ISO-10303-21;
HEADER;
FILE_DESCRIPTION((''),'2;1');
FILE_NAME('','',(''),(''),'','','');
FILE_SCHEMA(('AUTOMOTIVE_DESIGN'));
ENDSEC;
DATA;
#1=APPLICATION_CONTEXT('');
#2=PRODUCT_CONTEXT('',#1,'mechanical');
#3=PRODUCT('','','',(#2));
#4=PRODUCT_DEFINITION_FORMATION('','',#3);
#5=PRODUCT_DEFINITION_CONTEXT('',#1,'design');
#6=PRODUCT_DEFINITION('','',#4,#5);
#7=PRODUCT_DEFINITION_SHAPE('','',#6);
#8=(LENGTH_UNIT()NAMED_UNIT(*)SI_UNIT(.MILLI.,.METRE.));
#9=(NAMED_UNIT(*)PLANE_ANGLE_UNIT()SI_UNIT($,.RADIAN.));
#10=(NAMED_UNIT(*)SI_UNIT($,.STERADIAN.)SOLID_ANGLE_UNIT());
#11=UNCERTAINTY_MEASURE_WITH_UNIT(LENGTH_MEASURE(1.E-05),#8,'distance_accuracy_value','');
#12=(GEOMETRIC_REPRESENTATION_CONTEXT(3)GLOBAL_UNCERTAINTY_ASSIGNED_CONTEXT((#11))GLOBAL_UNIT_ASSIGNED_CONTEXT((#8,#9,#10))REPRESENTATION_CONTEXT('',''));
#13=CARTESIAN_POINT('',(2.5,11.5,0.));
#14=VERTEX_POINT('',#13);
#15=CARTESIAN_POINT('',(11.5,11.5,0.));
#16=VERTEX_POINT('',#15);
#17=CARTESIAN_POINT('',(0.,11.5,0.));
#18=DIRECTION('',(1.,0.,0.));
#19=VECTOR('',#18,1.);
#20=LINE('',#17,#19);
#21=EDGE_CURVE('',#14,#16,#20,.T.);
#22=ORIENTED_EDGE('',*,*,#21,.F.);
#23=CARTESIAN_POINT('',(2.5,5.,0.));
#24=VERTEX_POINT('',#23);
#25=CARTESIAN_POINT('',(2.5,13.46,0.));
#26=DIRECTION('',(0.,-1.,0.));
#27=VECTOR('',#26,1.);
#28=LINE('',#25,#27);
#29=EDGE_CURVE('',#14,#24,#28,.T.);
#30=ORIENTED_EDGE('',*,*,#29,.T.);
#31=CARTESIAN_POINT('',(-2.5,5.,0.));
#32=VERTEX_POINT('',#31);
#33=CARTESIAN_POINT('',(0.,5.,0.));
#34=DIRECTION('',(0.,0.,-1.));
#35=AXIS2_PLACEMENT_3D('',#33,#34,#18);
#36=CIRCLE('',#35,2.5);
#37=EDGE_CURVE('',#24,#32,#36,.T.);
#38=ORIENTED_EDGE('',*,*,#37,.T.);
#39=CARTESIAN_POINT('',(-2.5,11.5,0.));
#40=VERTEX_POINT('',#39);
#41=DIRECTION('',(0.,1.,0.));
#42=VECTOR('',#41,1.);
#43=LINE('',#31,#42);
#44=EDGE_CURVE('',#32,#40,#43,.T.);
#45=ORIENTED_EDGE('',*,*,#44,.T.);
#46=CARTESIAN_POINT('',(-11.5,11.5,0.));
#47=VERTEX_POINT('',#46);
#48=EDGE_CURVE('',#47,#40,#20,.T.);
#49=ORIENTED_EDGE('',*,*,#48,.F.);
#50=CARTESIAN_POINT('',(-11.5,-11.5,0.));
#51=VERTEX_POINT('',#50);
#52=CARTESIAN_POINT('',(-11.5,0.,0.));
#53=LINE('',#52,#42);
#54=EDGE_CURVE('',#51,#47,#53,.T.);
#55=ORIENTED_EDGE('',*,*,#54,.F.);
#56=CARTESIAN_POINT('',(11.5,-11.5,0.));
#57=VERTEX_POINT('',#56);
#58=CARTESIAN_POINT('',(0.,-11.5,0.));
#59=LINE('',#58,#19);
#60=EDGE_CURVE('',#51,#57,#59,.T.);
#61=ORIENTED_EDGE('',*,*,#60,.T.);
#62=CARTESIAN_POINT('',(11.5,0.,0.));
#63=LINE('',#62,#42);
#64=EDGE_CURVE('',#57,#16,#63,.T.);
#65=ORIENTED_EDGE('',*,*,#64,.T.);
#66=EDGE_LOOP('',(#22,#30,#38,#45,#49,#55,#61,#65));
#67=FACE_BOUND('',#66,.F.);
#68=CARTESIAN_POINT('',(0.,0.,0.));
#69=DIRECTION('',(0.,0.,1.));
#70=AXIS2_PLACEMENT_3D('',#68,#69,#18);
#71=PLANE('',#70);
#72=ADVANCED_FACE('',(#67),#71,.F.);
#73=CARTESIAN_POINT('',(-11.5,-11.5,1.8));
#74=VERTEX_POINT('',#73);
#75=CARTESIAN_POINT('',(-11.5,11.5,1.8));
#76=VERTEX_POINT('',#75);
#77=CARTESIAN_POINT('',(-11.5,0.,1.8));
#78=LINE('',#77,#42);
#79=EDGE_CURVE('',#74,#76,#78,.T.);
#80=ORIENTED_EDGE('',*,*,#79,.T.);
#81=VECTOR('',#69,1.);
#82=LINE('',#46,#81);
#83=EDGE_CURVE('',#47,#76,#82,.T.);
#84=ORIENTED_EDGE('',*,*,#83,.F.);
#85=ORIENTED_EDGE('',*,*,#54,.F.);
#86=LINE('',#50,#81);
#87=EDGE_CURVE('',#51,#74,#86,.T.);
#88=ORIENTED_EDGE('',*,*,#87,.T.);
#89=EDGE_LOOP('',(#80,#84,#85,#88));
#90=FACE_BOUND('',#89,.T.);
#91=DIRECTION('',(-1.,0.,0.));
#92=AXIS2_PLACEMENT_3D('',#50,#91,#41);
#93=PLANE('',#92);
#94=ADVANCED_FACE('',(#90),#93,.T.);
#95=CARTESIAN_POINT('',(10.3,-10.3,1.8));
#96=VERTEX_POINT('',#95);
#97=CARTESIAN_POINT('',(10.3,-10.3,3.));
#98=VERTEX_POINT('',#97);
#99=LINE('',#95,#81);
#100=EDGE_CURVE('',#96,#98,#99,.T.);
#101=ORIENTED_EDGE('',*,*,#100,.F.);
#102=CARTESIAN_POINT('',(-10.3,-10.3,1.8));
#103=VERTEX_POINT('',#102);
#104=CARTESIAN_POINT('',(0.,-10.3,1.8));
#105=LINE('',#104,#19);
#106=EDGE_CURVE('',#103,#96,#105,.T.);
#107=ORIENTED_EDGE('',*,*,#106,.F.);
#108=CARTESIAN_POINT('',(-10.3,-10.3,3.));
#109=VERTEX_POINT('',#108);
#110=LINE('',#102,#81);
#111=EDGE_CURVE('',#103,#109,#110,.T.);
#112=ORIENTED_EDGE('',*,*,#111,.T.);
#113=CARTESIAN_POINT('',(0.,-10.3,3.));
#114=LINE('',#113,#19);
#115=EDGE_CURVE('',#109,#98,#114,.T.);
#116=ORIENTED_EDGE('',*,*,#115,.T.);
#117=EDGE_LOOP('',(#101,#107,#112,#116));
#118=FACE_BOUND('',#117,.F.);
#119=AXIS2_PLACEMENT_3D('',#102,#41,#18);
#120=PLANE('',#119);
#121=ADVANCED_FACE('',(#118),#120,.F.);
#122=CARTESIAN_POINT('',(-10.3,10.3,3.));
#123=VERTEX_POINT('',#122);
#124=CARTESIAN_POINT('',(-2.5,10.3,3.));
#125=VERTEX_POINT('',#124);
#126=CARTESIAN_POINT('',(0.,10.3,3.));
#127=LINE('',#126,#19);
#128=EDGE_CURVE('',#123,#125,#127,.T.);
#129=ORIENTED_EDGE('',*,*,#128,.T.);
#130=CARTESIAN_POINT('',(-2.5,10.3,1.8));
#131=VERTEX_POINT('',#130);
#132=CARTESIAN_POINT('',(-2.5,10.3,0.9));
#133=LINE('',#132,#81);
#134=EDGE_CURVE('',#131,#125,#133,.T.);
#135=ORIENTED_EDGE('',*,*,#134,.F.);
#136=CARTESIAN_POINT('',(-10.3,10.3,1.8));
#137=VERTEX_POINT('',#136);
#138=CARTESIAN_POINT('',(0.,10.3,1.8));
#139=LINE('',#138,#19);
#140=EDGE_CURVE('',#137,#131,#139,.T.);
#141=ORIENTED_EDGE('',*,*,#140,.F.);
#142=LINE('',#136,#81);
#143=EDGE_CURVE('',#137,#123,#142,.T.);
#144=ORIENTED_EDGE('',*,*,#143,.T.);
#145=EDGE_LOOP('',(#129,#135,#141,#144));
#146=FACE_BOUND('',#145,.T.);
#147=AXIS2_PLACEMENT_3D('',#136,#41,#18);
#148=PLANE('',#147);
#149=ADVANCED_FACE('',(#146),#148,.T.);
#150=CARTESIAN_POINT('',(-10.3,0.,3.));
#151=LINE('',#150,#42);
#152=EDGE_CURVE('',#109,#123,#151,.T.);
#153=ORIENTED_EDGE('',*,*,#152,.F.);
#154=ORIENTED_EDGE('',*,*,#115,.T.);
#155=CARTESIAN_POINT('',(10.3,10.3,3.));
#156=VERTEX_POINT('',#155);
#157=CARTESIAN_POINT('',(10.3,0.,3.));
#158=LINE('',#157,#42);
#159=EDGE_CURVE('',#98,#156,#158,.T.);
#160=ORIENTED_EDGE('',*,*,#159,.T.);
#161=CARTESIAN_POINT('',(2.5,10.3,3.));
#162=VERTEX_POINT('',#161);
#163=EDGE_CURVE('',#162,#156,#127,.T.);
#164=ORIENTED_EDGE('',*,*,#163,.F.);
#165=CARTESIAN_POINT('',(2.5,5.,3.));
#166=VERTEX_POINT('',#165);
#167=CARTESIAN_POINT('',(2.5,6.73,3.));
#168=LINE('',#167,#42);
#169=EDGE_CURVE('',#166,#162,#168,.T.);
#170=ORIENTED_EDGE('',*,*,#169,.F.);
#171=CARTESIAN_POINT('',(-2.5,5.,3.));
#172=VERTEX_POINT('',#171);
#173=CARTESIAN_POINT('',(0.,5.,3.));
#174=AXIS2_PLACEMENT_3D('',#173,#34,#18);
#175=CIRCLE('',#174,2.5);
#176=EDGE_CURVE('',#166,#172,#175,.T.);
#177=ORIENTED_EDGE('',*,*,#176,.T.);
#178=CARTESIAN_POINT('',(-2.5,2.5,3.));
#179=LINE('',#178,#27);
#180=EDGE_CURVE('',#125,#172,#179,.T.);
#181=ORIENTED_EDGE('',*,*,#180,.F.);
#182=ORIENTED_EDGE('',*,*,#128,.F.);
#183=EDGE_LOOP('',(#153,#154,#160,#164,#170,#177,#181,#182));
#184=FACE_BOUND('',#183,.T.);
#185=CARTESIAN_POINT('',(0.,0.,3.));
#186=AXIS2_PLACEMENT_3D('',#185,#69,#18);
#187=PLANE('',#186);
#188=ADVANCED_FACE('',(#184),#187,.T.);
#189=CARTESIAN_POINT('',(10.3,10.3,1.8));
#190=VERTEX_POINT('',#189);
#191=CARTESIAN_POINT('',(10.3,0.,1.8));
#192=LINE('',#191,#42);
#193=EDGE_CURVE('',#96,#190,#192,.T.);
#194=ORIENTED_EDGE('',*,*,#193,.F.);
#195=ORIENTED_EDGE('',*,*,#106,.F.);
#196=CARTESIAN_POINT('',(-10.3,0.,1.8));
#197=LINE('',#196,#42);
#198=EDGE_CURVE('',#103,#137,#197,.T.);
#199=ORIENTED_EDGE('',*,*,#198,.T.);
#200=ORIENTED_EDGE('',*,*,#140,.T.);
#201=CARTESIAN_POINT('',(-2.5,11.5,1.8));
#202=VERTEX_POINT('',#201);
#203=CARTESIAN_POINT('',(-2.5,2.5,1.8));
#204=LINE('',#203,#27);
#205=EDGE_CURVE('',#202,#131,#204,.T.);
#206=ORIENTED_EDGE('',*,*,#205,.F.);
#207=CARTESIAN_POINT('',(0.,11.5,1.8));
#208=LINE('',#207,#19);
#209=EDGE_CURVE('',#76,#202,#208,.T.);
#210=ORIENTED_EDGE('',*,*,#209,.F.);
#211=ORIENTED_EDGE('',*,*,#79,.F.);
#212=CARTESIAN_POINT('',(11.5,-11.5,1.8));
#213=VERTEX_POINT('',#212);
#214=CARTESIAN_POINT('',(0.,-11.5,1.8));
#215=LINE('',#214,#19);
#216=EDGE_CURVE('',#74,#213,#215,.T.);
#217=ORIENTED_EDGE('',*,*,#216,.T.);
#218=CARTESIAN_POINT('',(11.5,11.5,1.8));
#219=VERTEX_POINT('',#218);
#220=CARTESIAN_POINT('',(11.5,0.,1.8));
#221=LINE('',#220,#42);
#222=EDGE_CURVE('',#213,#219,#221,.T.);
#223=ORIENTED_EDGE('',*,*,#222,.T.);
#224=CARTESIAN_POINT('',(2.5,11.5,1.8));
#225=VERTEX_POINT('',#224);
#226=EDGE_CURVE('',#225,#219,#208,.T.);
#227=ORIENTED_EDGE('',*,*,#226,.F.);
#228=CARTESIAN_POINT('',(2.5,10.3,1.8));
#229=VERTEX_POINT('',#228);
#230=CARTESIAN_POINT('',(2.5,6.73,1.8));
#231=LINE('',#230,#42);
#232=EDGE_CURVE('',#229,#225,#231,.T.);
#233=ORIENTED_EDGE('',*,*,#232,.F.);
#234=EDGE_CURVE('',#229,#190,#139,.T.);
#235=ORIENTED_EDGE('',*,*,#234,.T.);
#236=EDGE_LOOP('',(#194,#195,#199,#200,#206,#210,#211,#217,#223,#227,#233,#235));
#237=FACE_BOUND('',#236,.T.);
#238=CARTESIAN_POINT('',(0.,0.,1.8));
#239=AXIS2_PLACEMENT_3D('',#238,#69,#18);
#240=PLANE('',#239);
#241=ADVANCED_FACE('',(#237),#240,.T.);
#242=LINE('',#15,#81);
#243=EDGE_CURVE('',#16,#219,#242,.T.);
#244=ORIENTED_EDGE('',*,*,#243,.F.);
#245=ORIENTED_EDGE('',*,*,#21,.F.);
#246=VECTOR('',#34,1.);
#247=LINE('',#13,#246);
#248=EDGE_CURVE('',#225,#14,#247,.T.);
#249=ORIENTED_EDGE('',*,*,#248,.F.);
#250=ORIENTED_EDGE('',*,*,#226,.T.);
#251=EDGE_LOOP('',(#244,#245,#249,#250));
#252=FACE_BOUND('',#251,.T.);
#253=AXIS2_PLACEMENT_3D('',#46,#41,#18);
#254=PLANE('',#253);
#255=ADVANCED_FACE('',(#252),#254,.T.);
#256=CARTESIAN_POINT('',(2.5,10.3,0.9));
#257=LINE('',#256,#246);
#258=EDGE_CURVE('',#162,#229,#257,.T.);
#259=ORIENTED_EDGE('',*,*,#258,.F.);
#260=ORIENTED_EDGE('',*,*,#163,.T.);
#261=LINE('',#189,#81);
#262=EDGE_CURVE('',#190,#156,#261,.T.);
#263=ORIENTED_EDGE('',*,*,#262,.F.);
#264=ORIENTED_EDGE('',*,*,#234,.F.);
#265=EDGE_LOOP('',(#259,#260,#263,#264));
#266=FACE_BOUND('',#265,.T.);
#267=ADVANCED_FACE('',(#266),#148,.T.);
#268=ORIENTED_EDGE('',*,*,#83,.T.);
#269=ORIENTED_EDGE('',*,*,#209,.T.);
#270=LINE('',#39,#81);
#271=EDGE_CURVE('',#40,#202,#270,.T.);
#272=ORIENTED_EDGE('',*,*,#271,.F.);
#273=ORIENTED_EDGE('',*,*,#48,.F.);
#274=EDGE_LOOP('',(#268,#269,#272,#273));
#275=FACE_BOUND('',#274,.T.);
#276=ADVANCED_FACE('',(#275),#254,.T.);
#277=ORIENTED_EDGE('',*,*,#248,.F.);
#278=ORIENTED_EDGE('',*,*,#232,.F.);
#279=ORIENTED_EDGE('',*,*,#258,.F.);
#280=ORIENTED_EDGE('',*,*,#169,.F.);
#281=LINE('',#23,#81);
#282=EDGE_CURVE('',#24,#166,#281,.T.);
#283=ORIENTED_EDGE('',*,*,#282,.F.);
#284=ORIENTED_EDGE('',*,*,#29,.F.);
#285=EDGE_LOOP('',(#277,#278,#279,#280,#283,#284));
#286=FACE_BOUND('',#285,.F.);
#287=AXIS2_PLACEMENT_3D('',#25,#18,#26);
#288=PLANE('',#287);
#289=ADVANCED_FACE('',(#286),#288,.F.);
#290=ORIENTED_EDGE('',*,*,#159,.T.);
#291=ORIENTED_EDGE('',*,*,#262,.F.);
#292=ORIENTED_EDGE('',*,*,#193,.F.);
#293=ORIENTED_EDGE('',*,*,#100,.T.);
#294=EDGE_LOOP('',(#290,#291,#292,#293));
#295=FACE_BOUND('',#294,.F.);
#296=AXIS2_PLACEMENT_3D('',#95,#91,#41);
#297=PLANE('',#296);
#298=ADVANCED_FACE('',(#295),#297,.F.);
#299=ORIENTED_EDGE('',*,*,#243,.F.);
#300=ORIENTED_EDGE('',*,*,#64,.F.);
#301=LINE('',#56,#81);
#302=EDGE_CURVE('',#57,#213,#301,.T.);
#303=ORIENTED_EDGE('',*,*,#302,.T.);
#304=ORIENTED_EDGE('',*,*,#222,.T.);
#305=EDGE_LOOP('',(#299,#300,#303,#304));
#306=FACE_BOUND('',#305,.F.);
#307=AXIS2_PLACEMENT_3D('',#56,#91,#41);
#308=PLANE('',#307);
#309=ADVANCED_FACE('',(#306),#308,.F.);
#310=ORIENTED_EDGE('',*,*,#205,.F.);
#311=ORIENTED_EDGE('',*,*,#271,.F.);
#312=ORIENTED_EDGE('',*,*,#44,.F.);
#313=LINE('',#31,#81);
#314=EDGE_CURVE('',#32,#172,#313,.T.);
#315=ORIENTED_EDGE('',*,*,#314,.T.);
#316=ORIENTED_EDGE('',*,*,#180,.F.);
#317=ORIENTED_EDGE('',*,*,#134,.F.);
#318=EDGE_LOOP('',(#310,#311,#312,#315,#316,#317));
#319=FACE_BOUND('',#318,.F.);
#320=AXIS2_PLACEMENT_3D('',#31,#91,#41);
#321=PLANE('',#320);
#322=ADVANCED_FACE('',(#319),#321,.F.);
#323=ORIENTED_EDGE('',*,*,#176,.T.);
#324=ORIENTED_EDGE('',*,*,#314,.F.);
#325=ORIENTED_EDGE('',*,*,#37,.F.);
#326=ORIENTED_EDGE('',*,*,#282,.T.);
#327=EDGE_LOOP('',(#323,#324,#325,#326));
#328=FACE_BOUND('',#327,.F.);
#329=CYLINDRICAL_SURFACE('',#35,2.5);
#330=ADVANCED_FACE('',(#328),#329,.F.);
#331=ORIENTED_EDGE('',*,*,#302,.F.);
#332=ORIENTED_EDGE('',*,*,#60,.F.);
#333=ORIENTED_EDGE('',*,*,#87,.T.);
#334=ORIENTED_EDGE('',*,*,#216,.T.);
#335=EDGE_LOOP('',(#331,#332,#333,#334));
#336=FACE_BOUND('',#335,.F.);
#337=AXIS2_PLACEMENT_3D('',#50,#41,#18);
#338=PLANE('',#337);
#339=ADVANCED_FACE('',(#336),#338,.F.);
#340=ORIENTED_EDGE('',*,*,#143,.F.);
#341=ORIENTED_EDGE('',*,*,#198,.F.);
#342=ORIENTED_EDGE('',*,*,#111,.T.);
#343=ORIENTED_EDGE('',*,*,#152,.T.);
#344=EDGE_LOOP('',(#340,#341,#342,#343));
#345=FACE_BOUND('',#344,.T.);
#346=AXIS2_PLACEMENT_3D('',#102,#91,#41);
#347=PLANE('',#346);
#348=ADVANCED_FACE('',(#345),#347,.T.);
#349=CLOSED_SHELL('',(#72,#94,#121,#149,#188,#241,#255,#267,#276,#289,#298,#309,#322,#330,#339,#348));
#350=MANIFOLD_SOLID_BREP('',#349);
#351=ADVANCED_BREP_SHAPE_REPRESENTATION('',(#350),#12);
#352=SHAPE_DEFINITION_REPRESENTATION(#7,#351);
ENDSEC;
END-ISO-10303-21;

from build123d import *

# Parameters (mm, degrees)
SKETCH_W     = 23
SKETCH_H     = 23
PAD_DEPTH    = 1.8
SKETCH001_W  = 20.6
SKETCH001_H  = 20.6
PAD001_DEPTH = 1.2
POCKET_DEPTH = 5


with BuildPart() as part:
    # Sketch → Pad (new body)
    with BuildSketch(Plane.XY):
        Rectangle(SKETCH_W, SKETCH_H)
    extrude(amount=PAD_DEPTH)

    # Sketch001 (on Face6 of Pad) → Pad001 (join)
    with BuildSketch(Plane.XY.offset(1.8)):
        Rectangle(SKETCH001_W, SKETCH001_H)
    extrude(amount=PAD001_DEPTH)

    # Sketch002 (on Face4 of Pad001) → Pocket (cut)
    with BuildSketch(Plane(origin=(0, 0, 0), x_dir=(1, 0, 0), z_dir=(0, 0, -1))):
        with BuildLine():
            ThreePointArc((2.5, -5), (0, -2.5), (-2.5, -5))
            Line((-2.5, -5), (-2.5, -13.46))
            ThreePointArc((-2.5, -13.46), (0, -15.96), (2.5, -13.46))
            Line((2.5, -13.46), (2.5, -5))
        make_face()
    extrude(amount=-POCKET_DEPTH, mode=Mode.SUBTRACT)


solid = part.part
